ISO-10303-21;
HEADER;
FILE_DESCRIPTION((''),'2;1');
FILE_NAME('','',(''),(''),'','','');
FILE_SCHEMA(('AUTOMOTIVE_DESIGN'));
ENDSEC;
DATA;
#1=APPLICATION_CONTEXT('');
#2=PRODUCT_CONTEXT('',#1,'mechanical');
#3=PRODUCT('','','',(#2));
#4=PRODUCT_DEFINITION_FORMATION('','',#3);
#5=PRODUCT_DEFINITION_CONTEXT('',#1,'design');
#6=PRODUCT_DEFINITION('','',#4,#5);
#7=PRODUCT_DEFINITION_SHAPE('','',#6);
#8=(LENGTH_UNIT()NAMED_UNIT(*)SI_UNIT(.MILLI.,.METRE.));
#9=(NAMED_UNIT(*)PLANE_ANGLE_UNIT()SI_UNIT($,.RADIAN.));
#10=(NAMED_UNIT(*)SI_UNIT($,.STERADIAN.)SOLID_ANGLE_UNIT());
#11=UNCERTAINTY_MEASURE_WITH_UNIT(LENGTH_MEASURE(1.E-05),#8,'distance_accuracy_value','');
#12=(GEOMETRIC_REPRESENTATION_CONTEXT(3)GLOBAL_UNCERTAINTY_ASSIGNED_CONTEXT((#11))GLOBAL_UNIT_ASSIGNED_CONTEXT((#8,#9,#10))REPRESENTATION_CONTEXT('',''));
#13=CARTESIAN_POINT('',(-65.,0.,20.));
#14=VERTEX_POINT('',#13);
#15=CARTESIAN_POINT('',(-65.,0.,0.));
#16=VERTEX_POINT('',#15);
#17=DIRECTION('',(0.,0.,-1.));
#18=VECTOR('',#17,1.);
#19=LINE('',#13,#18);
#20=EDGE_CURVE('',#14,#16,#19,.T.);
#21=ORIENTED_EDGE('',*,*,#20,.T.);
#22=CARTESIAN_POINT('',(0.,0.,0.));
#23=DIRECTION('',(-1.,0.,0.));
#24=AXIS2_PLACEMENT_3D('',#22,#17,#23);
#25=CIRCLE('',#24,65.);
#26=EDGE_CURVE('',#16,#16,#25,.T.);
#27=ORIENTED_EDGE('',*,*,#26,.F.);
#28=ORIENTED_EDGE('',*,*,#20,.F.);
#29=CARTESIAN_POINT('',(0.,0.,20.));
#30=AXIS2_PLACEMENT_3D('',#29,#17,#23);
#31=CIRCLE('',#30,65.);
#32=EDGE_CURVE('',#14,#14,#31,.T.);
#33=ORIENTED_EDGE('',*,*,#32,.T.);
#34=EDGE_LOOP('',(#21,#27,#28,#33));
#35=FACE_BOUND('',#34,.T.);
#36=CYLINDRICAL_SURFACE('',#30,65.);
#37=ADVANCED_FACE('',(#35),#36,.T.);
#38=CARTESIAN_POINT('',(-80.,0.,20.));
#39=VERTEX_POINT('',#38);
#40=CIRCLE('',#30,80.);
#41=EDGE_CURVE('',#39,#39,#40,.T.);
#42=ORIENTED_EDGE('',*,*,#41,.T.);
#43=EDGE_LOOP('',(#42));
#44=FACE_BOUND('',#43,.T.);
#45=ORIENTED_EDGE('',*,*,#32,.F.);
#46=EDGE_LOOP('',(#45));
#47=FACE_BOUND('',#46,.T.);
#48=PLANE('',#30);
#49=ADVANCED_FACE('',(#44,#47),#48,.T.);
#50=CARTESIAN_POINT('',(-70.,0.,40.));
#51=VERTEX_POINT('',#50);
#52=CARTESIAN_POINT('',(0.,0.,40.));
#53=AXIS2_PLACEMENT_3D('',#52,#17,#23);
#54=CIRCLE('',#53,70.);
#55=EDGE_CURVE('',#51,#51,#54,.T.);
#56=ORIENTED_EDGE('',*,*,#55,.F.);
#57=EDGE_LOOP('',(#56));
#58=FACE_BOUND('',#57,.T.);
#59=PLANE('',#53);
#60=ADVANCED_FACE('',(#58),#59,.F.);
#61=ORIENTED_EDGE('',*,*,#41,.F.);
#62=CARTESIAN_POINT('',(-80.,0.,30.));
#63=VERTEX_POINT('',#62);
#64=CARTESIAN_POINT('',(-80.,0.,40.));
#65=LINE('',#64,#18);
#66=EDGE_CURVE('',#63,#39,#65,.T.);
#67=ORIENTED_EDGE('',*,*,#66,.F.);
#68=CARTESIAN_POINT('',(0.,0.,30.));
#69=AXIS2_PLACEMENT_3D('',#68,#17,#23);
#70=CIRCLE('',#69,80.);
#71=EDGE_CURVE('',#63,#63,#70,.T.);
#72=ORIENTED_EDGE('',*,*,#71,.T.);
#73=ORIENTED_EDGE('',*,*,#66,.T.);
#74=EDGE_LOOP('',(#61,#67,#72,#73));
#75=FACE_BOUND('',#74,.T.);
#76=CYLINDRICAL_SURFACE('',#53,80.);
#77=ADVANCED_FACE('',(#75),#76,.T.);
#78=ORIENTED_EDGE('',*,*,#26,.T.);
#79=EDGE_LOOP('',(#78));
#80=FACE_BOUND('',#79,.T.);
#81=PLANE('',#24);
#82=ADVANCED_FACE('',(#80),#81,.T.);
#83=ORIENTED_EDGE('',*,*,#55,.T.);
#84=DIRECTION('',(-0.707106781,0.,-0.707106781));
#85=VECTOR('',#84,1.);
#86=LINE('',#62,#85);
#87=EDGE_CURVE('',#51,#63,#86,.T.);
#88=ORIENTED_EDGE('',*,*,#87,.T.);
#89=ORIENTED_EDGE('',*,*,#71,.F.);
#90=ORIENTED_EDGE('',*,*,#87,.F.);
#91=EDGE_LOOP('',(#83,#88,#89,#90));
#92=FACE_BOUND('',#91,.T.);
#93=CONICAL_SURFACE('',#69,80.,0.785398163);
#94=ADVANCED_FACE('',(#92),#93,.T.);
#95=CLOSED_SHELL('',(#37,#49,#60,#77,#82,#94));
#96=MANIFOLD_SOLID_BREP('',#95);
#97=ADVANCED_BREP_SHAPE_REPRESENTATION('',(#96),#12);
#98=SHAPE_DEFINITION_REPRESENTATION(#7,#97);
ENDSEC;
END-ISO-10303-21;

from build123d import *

# Parameters (mm, degrees)
F2_SIZE2 = 10
F2_SIZE  = 10


with BuildPart() as f1:
    # F0 (on Front) → F1 (revolve)
    with BuildSketch(Plane.XZ):
        Polygon((-65, 0), (0, 0), (0, 40), (-80, 40), (-80, 20), (-65, 20), align=None)
    revolve(axis=Axis((0, 0, 20), (0, 0, -1)))

    # F2
    f2_edges = [f1.edges().sort_by_distance(p)[0] for p in [
        (80, 0, 40),
    ]]
    chamfer(f2_edges, length=F2_SIZE, length2=F2_SIZE2)


solid = f1.part
